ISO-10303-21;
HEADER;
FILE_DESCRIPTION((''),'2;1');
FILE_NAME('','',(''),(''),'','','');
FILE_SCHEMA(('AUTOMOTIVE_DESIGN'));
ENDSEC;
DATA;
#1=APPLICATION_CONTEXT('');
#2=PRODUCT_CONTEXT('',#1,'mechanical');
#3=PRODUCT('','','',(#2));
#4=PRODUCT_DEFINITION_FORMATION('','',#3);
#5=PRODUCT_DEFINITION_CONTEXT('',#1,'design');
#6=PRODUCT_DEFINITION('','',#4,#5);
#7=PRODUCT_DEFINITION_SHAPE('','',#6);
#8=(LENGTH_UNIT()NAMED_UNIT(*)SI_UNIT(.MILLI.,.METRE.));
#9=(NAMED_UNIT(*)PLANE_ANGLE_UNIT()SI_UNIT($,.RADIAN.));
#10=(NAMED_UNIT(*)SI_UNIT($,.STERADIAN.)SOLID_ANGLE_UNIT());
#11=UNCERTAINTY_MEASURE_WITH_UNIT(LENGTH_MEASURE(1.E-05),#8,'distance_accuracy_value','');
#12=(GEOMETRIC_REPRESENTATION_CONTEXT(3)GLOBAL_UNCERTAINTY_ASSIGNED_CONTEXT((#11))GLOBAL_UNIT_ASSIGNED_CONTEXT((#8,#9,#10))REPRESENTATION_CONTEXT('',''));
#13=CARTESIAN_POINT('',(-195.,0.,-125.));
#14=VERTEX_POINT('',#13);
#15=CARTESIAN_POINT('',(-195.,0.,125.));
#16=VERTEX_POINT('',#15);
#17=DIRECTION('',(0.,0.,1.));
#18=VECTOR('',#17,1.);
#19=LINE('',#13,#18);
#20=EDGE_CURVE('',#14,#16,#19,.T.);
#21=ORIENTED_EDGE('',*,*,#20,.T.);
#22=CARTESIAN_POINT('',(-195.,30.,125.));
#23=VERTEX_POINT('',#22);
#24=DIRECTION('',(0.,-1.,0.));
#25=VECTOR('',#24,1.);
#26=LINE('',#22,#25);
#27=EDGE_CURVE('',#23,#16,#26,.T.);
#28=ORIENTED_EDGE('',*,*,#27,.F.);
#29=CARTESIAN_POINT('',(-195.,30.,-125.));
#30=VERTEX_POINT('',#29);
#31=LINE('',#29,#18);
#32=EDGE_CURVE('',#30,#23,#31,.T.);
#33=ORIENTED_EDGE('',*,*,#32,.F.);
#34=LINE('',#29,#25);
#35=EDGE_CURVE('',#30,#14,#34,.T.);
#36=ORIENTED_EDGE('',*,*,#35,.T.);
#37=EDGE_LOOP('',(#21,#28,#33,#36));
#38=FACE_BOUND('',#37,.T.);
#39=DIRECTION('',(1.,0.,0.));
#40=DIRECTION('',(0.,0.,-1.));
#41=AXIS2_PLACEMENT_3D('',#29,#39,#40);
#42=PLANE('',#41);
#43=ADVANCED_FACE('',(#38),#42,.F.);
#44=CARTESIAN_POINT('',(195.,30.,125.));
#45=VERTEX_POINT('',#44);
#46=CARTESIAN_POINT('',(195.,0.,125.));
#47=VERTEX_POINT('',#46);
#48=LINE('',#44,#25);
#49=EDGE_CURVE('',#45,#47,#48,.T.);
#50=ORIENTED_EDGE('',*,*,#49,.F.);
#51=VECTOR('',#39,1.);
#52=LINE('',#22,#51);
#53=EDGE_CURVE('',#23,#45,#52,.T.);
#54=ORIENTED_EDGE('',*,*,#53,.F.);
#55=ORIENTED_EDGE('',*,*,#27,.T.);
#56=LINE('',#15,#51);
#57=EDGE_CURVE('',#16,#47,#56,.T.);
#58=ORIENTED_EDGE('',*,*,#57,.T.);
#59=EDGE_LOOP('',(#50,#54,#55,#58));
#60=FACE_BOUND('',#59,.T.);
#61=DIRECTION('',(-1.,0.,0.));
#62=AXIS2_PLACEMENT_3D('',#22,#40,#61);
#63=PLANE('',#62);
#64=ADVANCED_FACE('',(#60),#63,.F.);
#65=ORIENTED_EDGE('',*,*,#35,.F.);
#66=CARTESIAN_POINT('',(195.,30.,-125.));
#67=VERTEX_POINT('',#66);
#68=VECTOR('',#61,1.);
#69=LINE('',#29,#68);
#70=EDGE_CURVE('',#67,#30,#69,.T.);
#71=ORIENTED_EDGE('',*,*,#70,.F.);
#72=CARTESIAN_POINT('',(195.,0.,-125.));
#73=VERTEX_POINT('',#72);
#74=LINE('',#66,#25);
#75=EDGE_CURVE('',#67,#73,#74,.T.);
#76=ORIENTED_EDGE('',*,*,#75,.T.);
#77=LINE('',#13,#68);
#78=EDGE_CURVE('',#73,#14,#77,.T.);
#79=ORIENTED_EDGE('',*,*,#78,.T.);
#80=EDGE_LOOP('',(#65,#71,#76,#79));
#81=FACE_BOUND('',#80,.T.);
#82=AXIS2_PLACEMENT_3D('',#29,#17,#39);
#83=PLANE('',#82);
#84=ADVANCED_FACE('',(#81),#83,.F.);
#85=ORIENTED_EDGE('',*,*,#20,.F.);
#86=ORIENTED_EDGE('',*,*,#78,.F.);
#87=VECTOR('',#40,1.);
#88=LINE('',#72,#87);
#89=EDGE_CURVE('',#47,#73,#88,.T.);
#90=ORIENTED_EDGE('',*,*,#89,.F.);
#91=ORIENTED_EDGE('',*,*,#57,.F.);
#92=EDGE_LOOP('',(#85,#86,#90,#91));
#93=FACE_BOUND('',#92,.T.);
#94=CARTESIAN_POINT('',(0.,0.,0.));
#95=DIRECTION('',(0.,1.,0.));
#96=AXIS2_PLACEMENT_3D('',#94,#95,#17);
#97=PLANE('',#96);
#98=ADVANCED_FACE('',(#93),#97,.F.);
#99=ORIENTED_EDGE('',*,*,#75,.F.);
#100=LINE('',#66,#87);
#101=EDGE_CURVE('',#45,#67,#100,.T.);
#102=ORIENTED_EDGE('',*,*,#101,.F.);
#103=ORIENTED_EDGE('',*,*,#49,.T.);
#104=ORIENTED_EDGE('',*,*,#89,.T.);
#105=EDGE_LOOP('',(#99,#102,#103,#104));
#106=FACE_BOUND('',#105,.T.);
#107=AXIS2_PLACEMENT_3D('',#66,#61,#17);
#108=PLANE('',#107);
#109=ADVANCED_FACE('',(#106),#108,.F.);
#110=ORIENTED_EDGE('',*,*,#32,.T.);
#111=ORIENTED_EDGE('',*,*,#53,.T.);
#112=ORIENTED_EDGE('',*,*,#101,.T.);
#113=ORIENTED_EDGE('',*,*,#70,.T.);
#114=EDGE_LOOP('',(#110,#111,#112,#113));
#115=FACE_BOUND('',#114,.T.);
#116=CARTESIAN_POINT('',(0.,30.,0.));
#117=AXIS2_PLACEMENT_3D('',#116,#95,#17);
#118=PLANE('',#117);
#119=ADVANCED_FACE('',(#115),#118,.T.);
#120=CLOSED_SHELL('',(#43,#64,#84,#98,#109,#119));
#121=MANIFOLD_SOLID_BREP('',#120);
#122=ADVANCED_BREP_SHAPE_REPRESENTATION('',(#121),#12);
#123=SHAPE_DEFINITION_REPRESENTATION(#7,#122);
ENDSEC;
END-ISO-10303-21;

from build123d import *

# Parameters (mm, degrees)
SKETCH1_W           = 390
SKETCH1_H           = 250
BOSS_EXTRUDE1_DEPTH = 30


with BuildPart() as part:
    # Sketch1 → Boss-Extrude1 (new body)
    with BuildSketch(Plane(origin=(0, 0, 0), x_dir=(1, 0, 0), z_dir=(0, 1, 0))):
        Rectangle(SKETCH1_W, SKETCH1_H)
    extrude(amount=BOSS_EXTRUDE1_DEPTH)


solid = part.part
